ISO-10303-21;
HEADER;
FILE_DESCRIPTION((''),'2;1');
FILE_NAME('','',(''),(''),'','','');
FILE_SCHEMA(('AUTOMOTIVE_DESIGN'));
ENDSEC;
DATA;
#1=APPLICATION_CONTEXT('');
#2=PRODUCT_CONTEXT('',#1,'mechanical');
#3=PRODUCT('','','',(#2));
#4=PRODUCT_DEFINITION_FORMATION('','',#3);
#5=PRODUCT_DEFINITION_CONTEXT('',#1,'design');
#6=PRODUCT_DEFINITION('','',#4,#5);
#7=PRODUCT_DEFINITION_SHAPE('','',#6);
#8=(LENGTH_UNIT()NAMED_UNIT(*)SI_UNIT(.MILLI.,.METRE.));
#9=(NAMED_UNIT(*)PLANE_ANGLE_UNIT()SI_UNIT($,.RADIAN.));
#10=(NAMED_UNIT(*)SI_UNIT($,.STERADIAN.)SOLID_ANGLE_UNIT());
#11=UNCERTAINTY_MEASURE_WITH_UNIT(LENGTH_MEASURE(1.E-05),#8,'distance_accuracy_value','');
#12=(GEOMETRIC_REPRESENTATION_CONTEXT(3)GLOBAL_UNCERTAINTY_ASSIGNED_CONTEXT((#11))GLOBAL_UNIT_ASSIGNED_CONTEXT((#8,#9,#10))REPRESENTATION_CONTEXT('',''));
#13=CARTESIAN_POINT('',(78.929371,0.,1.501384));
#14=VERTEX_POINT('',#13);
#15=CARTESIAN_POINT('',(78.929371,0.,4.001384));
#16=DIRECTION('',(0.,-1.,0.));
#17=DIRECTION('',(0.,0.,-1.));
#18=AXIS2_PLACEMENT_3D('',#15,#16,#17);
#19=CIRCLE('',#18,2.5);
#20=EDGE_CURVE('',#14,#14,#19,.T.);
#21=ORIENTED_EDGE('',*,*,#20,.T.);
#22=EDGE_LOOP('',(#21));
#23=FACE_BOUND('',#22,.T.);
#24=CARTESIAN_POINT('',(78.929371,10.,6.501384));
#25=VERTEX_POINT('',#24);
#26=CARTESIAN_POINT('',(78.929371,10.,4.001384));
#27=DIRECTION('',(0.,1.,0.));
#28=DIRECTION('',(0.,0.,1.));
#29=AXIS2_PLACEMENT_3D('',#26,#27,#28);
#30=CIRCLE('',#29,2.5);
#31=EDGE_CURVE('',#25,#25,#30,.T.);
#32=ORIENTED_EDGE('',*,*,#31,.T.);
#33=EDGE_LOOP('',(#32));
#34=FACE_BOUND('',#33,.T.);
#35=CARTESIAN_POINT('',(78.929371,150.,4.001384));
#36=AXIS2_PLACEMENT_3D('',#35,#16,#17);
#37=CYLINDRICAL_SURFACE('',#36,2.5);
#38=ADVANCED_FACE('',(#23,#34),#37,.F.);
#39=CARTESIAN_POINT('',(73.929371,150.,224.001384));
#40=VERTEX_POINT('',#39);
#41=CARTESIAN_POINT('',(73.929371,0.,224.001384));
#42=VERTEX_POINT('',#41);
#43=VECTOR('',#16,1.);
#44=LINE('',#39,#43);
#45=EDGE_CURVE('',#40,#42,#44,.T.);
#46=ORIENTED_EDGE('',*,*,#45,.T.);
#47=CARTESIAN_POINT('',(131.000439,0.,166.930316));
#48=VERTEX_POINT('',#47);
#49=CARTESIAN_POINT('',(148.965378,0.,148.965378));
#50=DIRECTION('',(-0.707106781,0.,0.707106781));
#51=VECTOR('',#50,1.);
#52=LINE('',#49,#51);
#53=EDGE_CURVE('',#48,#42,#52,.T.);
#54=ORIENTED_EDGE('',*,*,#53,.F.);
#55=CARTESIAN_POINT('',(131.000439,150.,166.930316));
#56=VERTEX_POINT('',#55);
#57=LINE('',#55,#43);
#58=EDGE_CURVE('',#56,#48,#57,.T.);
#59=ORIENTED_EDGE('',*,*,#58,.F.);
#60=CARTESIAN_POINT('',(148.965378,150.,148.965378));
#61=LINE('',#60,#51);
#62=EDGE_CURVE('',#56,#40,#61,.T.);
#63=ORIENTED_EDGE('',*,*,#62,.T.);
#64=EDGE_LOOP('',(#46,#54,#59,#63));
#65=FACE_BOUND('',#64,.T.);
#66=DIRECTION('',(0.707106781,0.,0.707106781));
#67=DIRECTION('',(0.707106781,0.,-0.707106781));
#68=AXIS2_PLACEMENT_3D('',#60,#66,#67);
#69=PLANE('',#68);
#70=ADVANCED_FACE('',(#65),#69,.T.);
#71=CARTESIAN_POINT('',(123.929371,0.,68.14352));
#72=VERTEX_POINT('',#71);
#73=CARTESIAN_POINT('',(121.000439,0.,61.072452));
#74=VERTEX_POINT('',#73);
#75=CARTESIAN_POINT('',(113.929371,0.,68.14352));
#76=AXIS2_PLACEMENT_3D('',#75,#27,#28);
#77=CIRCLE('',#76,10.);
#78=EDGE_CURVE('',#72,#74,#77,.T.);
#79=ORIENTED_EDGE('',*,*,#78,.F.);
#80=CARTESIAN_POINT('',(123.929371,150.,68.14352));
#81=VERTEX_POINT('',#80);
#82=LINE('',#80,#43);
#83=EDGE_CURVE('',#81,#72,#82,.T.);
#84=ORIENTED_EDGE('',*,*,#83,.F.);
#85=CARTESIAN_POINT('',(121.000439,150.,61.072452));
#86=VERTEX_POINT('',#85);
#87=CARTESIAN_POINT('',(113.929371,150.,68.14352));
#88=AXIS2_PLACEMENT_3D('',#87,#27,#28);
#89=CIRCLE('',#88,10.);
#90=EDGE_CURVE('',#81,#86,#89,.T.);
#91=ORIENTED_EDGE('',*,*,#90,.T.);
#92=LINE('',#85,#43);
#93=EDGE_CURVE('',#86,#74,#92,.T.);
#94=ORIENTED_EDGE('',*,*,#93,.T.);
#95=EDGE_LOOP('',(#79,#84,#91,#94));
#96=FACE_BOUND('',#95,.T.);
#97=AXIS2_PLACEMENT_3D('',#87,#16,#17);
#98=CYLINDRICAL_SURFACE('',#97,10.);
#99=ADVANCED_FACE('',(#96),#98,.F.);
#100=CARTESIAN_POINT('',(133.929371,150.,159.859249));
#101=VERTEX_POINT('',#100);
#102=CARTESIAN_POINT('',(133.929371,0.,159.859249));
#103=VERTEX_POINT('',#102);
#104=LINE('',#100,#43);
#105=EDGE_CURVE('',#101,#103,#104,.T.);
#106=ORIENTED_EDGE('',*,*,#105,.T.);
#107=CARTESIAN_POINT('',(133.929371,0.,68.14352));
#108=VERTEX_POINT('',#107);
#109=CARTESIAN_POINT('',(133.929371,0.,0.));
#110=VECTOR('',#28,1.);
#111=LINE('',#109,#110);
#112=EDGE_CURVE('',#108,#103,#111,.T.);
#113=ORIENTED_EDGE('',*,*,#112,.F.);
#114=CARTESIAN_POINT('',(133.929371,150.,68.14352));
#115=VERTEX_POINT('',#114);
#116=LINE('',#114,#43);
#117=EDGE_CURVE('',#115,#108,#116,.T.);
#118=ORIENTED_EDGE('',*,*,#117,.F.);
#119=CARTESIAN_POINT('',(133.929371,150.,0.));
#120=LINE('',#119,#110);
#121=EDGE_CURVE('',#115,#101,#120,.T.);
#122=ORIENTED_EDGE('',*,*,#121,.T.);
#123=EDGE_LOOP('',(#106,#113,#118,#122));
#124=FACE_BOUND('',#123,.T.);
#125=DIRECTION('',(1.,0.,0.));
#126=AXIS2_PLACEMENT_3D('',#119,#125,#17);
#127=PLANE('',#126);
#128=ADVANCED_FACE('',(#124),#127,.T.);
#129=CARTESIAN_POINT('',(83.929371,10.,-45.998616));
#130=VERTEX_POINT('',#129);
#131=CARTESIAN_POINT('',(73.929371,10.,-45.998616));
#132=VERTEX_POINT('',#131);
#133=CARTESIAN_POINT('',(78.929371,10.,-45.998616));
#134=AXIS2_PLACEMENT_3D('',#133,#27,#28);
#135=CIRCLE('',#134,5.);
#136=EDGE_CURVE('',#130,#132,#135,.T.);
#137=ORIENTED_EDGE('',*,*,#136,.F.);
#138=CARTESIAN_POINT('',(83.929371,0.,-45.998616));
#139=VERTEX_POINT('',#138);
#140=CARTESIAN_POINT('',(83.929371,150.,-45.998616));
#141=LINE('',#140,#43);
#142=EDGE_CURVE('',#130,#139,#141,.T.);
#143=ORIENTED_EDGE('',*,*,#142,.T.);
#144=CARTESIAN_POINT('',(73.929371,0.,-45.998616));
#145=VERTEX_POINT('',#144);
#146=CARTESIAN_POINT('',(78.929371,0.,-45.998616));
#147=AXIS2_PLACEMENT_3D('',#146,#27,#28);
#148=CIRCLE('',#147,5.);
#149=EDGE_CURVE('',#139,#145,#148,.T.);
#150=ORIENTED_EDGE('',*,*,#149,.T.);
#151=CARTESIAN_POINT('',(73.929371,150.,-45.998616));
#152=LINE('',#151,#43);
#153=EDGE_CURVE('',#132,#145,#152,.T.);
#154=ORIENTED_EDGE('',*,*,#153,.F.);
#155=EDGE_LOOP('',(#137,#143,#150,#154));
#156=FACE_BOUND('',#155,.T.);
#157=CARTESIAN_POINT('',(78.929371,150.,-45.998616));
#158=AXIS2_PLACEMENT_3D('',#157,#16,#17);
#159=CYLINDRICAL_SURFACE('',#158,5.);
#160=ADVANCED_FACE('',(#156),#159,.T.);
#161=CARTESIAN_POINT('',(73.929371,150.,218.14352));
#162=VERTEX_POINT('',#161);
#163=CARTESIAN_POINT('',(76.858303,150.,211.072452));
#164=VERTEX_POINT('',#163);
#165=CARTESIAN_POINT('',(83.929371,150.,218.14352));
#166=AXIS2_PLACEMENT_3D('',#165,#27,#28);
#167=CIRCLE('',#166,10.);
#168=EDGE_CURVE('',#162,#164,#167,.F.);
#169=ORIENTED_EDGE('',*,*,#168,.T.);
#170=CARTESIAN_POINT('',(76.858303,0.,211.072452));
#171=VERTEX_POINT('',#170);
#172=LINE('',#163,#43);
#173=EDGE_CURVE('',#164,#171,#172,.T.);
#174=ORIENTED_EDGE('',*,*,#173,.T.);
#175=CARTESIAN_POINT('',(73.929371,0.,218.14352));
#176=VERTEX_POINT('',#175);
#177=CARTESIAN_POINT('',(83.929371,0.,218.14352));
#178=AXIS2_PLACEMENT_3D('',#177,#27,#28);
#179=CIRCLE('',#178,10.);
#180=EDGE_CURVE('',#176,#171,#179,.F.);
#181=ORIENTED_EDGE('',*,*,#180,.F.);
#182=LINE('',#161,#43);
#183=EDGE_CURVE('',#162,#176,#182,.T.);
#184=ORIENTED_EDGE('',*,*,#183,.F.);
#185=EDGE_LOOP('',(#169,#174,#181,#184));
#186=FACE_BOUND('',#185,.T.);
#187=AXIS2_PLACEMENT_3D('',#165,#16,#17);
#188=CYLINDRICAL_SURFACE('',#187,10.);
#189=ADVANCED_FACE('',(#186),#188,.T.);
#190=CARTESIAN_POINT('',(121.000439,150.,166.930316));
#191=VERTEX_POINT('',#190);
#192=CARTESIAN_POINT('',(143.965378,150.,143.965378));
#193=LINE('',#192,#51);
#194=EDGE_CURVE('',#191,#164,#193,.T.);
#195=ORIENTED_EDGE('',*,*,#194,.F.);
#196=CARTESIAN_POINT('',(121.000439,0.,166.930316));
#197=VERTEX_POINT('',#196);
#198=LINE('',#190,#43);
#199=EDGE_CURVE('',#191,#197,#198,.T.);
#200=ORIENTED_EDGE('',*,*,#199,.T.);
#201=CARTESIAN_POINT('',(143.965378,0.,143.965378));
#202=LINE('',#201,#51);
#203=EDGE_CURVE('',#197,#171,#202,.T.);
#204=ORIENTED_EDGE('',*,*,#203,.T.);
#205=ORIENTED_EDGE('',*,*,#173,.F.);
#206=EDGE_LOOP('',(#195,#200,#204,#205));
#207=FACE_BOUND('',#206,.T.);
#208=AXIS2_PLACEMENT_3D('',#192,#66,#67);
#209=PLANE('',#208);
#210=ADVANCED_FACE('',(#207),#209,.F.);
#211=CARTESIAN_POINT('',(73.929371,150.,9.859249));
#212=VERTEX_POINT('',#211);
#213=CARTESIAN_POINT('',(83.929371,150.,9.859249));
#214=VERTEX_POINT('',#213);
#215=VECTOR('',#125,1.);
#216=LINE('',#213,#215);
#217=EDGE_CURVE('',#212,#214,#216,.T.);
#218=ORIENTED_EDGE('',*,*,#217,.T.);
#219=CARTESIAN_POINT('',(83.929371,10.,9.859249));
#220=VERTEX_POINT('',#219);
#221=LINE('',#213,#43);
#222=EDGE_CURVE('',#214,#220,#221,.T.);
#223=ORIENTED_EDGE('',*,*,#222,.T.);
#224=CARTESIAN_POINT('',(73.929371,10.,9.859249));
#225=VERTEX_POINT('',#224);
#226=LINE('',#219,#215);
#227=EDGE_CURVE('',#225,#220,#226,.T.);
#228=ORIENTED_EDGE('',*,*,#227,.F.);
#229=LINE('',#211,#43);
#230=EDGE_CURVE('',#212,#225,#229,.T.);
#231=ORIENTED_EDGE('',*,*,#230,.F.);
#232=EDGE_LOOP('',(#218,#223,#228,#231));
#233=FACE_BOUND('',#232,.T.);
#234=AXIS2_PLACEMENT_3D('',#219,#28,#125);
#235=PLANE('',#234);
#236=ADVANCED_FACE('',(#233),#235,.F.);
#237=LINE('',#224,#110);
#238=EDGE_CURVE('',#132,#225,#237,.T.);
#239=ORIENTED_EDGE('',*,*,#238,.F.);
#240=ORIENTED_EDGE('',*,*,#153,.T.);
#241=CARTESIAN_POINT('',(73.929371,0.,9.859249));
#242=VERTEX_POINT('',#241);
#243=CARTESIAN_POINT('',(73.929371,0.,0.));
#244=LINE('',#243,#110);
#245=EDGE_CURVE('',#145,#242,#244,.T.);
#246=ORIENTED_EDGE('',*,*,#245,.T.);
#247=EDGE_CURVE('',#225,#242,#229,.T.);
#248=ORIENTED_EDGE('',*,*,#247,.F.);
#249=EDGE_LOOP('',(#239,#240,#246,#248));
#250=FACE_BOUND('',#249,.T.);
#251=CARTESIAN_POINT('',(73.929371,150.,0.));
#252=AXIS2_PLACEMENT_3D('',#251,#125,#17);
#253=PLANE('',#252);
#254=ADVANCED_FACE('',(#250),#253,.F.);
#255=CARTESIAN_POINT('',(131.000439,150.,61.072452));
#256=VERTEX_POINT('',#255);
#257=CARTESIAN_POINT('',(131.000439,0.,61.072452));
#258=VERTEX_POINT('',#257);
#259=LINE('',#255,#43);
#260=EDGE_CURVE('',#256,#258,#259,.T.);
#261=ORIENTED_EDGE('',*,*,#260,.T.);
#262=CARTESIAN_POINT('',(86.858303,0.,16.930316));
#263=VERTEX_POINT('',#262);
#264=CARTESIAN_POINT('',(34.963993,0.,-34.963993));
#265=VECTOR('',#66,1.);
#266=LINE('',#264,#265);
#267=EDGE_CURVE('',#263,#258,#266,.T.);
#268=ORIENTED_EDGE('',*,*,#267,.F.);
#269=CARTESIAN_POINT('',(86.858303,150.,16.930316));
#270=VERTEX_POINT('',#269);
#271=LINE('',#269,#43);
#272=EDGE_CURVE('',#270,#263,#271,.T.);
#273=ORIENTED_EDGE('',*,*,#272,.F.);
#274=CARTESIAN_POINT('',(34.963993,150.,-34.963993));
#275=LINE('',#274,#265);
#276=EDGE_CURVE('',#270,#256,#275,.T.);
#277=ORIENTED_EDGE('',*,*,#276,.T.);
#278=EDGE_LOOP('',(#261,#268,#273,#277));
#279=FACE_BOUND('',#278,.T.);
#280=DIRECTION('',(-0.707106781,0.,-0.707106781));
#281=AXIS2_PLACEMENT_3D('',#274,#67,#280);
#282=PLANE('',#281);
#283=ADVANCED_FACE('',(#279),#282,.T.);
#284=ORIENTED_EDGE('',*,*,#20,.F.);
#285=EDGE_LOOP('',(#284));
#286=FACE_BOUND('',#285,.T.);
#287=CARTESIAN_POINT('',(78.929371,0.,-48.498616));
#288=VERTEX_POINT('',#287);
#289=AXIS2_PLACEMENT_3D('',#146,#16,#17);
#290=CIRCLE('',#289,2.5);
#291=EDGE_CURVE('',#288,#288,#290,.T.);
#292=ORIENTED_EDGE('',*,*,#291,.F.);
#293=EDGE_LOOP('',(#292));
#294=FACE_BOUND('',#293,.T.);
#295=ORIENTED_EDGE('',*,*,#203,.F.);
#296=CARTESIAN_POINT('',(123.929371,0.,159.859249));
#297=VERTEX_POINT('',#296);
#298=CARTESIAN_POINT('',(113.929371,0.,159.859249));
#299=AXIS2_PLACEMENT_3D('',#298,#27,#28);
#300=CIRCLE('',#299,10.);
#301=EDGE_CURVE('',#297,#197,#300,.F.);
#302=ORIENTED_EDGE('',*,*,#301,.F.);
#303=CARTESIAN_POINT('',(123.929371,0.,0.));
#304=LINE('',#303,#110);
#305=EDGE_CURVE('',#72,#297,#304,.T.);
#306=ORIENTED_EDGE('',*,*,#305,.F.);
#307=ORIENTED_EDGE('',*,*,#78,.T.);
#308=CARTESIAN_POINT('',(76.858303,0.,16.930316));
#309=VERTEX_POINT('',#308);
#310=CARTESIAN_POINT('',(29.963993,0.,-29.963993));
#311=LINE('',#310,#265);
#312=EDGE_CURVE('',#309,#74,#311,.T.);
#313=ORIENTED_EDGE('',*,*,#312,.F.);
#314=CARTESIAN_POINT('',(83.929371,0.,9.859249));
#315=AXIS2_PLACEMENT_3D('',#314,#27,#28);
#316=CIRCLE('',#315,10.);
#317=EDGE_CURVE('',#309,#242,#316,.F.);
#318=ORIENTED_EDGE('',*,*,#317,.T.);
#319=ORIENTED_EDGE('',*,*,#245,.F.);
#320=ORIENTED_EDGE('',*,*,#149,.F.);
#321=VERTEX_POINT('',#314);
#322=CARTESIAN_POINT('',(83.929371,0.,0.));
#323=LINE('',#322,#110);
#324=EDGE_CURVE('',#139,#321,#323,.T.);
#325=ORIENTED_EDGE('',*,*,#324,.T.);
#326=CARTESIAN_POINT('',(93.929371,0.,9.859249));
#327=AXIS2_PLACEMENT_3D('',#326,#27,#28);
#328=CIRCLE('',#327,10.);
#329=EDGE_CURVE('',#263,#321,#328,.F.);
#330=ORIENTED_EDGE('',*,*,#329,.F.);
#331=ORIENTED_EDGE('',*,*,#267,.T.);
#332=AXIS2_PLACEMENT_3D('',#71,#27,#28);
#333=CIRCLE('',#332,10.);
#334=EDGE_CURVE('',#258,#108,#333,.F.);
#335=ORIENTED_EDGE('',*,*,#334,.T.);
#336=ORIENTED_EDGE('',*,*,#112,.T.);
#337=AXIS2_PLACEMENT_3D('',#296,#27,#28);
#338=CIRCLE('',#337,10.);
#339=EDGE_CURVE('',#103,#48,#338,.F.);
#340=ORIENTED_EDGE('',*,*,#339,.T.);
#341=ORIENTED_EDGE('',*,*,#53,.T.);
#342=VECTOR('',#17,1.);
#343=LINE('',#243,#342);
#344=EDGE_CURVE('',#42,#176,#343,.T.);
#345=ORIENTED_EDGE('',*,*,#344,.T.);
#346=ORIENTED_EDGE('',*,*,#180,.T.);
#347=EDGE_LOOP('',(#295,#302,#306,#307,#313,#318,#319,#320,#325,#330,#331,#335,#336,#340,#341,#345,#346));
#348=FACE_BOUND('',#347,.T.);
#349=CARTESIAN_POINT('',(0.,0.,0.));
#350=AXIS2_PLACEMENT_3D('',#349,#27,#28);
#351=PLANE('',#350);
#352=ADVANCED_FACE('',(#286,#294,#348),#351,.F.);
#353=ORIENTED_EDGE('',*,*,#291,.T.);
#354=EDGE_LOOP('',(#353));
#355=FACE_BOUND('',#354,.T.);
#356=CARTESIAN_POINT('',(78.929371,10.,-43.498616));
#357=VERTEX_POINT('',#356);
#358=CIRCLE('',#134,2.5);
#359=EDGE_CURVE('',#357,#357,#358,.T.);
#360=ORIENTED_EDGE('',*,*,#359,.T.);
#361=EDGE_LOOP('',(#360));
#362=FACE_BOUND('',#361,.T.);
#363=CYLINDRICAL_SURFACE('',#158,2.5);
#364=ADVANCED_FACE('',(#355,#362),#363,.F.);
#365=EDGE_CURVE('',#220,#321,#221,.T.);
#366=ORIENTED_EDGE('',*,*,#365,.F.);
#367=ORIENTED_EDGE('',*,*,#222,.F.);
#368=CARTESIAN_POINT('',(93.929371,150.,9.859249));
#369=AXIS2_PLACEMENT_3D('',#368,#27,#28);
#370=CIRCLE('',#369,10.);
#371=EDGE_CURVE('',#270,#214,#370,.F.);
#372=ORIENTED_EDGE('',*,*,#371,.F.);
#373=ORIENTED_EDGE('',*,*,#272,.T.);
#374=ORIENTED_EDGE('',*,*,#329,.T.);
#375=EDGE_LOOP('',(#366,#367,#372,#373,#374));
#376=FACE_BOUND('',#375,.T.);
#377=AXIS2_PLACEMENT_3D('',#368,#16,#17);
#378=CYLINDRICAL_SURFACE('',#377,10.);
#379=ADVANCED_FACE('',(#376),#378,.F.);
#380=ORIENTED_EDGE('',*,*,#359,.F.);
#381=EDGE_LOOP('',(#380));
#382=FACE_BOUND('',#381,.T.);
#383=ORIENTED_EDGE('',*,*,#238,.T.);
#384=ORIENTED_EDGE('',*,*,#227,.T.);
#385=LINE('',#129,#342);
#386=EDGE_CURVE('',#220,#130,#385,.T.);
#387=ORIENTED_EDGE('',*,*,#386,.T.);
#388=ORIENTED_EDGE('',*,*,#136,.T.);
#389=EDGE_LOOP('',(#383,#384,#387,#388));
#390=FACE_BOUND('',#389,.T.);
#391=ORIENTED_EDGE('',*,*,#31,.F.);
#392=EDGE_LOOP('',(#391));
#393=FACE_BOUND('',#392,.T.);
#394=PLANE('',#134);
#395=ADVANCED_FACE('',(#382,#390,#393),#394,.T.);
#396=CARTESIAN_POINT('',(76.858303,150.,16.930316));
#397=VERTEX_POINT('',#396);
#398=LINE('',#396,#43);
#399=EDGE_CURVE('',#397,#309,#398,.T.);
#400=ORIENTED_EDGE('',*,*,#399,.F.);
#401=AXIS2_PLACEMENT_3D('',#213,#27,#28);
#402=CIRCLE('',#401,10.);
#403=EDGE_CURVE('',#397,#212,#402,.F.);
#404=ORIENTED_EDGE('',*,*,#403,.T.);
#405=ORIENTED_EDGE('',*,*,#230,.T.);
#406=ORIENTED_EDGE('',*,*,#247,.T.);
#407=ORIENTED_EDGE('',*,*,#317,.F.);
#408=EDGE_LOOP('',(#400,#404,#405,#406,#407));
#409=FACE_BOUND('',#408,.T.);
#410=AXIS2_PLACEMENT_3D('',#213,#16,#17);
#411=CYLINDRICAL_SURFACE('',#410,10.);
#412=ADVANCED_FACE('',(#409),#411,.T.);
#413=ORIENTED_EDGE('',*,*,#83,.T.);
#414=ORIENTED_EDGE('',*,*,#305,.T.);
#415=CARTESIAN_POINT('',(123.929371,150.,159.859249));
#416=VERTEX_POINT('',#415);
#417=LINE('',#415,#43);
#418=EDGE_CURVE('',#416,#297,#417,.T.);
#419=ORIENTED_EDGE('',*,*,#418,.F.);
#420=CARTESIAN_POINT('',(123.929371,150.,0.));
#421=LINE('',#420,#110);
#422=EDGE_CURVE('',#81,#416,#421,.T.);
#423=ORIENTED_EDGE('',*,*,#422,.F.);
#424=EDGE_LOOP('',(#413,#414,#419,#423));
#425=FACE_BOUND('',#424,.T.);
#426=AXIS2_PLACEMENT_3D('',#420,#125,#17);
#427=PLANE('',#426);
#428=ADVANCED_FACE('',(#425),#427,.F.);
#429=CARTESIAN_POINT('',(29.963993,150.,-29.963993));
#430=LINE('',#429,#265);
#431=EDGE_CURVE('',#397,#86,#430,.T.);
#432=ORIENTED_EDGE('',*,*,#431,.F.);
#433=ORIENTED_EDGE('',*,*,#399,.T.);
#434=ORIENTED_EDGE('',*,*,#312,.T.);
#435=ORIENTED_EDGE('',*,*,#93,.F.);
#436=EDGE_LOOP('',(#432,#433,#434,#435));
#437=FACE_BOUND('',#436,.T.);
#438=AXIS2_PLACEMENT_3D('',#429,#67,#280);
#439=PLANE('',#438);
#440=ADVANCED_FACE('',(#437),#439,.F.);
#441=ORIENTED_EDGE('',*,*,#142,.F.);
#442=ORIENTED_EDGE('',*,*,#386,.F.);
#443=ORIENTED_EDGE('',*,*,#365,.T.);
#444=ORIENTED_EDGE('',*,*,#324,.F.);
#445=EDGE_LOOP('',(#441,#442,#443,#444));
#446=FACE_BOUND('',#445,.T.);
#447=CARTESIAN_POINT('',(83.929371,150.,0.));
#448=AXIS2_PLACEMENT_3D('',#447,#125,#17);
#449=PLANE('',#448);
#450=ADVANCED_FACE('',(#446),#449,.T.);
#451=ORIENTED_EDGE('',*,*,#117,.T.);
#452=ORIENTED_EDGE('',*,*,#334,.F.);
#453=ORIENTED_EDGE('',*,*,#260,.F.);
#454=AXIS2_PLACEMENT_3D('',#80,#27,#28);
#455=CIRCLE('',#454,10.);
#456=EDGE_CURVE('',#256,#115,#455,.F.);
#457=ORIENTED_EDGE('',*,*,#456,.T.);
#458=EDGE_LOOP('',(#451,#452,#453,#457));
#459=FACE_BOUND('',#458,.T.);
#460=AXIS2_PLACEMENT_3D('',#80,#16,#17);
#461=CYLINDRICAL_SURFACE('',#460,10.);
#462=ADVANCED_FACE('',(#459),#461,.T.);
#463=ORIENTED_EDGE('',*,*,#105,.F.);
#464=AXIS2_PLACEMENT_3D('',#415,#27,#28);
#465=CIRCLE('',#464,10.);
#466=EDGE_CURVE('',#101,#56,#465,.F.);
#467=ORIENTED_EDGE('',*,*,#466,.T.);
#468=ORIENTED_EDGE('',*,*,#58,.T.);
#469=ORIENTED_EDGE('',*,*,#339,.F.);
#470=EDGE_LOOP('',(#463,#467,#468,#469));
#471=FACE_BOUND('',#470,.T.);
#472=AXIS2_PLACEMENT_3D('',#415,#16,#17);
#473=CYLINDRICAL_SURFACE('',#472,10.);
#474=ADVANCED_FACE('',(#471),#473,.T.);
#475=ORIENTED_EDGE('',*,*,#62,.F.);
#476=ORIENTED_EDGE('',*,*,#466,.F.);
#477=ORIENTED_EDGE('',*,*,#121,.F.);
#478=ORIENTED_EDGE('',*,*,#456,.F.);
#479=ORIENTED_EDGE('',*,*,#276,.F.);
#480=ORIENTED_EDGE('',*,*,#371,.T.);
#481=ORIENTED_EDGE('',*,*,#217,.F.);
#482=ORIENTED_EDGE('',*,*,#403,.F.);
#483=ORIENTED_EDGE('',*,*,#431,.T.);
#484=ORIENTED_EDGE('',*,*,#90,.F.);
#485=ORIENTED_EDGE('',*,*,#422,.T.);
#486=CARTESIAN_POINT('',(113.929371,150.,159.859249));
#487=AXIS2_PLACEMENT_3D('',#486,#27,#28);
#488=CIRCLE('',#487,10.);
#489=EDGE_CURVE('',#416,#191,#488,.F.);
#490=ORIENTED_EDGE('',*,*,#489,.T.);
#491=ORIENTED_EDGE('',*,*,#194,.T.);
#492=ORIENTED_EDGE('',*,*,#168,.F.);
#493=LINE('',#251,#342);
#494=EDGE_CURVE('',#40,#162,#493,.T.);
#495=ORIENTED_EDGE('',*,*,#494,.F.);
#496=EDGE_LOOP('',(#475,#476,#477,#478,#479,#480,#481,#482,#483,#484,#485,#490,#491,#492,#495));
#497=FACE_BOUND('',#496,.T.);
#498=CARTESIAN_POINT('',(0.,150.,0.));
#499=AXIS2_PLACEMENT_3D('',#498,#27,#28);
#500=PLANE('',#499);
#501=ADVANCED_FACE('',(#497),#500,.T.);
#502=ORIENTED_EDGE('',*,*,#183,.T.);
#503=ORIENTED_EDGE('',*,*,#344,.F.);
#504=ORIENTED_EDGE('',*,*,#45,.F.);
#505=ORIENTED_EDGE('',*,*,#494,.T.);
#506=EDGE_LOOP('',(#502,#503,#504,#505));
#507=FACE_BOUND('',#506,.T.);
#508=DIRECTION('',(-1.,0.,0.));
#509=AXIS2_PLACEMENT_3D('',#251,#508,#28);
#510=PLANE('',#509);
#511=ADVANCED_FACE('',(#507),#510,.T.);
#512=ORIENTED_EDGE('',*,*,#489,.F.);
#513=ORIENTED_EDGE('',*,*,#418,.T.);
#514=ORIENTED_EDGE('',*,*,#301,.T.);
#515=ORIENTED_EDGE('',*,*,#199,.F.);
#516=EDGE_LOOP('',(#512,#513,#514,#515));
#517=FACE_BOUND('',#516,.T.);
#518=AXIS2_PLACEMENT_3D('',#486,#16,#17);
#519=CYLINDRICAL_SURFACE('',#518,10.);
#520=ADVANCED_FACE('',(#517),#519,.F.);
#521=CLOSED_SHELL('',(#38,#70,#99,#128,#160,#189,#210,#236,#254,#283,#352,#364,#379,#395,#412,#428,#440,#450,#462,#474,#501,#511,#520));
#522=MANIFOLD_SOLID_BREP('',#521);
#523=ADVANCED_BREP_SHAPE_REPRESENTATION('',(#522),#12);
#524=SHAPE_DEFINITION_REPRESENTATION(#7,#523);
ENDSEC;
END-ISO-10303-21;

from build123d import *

# Parameters (mm, degrees)
EXTRUDE_1_DEPTH     = 150
CUT_EXTRUDE_START   = -140
CUT_EXTRUDE_1_DEPTH = 140
SKETCH_5_R          = 2.5
CUT_EXTRUDE_2_DEPTH = 302.021089881


with BuildPart() as part:
    # 草图1 → 凸台-拉伸1 (new body)
    with BuildSketch(Plane(origin=(0, 0, 0), x_dir=(1, 0, 0), z_dir=(0, 1, 0))):
        with BuildLine():
            Line((83.929371052, -4.001384199), (83.929371052, 45.998615801))
            ThreePointArc((83.929371052, 45.998615801), (78.929371052, 50.998615801), (73.929371052, 45.998615801))
            Line((73.929371052, 45.998615801), (73.929371052, -4.001384199))
            Line((73.929371052, -4.001384199), (73.929371052, -9.859248575))
            ThreePointArc((73.929371052, -9.859248575), (74.690575727, -13.686082899), (76.85830324, -16.930316387))
            Line((76.85830324, -16.930316387), (121.000438864, -61.072452011))
            ThreePointArc((121.000438864, -61.072452011), (123.168166377, -64.316685499), (123.929371052, -68.143519823))
            Line((123.929371052, -68.143519823), (123.929371052, -159.859248575))
            ThreePointArc((123.929371052, -159.859248575), (123.168166377, -163.686082899), (121.000438864, -166.930316387))
            Line((121.000438864, -166.930316387), (76.85830324, -211.072452011))
            ThreePointArc((76.85830324, -211.072452011), (74.690575727, -214.316685499), (73.929371052, -218.143519823))
            Line((73.929371052, -218.143519823), (73.929371052, -224.001384199))
            Line((73.929371052, -224.001384199), (131.000438864, -166.930316387))
            ThreePointArc((131.000438864, -166.930316387), (133.168166377, -163.686082899), (133.929371052, -159.859248575))
            Line((133.929371052, -159.859248575), (133.929371052, -68.143519823))
            ThreePointArc((133.929371052, -68.143519823), (133.168166377, -64.316685499), (131.000438864, -61.072452011))
            Line((131.000438864, -61.072452011), (86.85830324, -16.930316387))
            ThreePointArc((86.85830324, -16.930316387), (84.690575727, -13.686082899), (83.929371052, -9.859248575))
            Line((83.929371052, -9.859248575), (83.929371052, -4.001384199))
        make_face()
    extrude(amount=EXTRUDE_1_DEPTH)

    # 草图3 → 切除-拉伸1 (cut)
    with BuildSketch(Plane(origin=(0, 150, 0), x_dir=(1, 0, 0), z_dir=(0, 1, 0)).offset(CUT_EXTRUDE_START)):
        with BuildLine():
            Line((83.929371052, -9.859248575), (73.929371052, -9.859248575))
            Line((73.929371052, -9.859248575), (73.929371052, 45.998615801))
            ThreePointArc((73.929371052, 45.998615801), (78.929371052, 50.998615801), (83.929371052, 45.998615801))
            Line((83.929371052, 45.998615801), (83.929371052, -9.859248575))
        make_face()
    extrude(amount=CUT_EXTRUDE_1_DEPTH, mode=Mode.SUBTRACT)

    # 草图5 → 切除-拉伸2 (cut, through all)
    with BuildSketch(Plane.XZ):
        with Locations(Location((78.929371052, -45.998615801, 0), (0, 0, 270))):
            Circle(SKETCH_5_R)
        with Locations(Location((78.929371052, 4.001384199, 0), (0, 0, 270))):
            Circle(SKETCH_5_R)
    extrude(amount=-CUT_EXTRUDE_2_DEPTH, mode=Mode.SUBTRACT)


solid = part.part
